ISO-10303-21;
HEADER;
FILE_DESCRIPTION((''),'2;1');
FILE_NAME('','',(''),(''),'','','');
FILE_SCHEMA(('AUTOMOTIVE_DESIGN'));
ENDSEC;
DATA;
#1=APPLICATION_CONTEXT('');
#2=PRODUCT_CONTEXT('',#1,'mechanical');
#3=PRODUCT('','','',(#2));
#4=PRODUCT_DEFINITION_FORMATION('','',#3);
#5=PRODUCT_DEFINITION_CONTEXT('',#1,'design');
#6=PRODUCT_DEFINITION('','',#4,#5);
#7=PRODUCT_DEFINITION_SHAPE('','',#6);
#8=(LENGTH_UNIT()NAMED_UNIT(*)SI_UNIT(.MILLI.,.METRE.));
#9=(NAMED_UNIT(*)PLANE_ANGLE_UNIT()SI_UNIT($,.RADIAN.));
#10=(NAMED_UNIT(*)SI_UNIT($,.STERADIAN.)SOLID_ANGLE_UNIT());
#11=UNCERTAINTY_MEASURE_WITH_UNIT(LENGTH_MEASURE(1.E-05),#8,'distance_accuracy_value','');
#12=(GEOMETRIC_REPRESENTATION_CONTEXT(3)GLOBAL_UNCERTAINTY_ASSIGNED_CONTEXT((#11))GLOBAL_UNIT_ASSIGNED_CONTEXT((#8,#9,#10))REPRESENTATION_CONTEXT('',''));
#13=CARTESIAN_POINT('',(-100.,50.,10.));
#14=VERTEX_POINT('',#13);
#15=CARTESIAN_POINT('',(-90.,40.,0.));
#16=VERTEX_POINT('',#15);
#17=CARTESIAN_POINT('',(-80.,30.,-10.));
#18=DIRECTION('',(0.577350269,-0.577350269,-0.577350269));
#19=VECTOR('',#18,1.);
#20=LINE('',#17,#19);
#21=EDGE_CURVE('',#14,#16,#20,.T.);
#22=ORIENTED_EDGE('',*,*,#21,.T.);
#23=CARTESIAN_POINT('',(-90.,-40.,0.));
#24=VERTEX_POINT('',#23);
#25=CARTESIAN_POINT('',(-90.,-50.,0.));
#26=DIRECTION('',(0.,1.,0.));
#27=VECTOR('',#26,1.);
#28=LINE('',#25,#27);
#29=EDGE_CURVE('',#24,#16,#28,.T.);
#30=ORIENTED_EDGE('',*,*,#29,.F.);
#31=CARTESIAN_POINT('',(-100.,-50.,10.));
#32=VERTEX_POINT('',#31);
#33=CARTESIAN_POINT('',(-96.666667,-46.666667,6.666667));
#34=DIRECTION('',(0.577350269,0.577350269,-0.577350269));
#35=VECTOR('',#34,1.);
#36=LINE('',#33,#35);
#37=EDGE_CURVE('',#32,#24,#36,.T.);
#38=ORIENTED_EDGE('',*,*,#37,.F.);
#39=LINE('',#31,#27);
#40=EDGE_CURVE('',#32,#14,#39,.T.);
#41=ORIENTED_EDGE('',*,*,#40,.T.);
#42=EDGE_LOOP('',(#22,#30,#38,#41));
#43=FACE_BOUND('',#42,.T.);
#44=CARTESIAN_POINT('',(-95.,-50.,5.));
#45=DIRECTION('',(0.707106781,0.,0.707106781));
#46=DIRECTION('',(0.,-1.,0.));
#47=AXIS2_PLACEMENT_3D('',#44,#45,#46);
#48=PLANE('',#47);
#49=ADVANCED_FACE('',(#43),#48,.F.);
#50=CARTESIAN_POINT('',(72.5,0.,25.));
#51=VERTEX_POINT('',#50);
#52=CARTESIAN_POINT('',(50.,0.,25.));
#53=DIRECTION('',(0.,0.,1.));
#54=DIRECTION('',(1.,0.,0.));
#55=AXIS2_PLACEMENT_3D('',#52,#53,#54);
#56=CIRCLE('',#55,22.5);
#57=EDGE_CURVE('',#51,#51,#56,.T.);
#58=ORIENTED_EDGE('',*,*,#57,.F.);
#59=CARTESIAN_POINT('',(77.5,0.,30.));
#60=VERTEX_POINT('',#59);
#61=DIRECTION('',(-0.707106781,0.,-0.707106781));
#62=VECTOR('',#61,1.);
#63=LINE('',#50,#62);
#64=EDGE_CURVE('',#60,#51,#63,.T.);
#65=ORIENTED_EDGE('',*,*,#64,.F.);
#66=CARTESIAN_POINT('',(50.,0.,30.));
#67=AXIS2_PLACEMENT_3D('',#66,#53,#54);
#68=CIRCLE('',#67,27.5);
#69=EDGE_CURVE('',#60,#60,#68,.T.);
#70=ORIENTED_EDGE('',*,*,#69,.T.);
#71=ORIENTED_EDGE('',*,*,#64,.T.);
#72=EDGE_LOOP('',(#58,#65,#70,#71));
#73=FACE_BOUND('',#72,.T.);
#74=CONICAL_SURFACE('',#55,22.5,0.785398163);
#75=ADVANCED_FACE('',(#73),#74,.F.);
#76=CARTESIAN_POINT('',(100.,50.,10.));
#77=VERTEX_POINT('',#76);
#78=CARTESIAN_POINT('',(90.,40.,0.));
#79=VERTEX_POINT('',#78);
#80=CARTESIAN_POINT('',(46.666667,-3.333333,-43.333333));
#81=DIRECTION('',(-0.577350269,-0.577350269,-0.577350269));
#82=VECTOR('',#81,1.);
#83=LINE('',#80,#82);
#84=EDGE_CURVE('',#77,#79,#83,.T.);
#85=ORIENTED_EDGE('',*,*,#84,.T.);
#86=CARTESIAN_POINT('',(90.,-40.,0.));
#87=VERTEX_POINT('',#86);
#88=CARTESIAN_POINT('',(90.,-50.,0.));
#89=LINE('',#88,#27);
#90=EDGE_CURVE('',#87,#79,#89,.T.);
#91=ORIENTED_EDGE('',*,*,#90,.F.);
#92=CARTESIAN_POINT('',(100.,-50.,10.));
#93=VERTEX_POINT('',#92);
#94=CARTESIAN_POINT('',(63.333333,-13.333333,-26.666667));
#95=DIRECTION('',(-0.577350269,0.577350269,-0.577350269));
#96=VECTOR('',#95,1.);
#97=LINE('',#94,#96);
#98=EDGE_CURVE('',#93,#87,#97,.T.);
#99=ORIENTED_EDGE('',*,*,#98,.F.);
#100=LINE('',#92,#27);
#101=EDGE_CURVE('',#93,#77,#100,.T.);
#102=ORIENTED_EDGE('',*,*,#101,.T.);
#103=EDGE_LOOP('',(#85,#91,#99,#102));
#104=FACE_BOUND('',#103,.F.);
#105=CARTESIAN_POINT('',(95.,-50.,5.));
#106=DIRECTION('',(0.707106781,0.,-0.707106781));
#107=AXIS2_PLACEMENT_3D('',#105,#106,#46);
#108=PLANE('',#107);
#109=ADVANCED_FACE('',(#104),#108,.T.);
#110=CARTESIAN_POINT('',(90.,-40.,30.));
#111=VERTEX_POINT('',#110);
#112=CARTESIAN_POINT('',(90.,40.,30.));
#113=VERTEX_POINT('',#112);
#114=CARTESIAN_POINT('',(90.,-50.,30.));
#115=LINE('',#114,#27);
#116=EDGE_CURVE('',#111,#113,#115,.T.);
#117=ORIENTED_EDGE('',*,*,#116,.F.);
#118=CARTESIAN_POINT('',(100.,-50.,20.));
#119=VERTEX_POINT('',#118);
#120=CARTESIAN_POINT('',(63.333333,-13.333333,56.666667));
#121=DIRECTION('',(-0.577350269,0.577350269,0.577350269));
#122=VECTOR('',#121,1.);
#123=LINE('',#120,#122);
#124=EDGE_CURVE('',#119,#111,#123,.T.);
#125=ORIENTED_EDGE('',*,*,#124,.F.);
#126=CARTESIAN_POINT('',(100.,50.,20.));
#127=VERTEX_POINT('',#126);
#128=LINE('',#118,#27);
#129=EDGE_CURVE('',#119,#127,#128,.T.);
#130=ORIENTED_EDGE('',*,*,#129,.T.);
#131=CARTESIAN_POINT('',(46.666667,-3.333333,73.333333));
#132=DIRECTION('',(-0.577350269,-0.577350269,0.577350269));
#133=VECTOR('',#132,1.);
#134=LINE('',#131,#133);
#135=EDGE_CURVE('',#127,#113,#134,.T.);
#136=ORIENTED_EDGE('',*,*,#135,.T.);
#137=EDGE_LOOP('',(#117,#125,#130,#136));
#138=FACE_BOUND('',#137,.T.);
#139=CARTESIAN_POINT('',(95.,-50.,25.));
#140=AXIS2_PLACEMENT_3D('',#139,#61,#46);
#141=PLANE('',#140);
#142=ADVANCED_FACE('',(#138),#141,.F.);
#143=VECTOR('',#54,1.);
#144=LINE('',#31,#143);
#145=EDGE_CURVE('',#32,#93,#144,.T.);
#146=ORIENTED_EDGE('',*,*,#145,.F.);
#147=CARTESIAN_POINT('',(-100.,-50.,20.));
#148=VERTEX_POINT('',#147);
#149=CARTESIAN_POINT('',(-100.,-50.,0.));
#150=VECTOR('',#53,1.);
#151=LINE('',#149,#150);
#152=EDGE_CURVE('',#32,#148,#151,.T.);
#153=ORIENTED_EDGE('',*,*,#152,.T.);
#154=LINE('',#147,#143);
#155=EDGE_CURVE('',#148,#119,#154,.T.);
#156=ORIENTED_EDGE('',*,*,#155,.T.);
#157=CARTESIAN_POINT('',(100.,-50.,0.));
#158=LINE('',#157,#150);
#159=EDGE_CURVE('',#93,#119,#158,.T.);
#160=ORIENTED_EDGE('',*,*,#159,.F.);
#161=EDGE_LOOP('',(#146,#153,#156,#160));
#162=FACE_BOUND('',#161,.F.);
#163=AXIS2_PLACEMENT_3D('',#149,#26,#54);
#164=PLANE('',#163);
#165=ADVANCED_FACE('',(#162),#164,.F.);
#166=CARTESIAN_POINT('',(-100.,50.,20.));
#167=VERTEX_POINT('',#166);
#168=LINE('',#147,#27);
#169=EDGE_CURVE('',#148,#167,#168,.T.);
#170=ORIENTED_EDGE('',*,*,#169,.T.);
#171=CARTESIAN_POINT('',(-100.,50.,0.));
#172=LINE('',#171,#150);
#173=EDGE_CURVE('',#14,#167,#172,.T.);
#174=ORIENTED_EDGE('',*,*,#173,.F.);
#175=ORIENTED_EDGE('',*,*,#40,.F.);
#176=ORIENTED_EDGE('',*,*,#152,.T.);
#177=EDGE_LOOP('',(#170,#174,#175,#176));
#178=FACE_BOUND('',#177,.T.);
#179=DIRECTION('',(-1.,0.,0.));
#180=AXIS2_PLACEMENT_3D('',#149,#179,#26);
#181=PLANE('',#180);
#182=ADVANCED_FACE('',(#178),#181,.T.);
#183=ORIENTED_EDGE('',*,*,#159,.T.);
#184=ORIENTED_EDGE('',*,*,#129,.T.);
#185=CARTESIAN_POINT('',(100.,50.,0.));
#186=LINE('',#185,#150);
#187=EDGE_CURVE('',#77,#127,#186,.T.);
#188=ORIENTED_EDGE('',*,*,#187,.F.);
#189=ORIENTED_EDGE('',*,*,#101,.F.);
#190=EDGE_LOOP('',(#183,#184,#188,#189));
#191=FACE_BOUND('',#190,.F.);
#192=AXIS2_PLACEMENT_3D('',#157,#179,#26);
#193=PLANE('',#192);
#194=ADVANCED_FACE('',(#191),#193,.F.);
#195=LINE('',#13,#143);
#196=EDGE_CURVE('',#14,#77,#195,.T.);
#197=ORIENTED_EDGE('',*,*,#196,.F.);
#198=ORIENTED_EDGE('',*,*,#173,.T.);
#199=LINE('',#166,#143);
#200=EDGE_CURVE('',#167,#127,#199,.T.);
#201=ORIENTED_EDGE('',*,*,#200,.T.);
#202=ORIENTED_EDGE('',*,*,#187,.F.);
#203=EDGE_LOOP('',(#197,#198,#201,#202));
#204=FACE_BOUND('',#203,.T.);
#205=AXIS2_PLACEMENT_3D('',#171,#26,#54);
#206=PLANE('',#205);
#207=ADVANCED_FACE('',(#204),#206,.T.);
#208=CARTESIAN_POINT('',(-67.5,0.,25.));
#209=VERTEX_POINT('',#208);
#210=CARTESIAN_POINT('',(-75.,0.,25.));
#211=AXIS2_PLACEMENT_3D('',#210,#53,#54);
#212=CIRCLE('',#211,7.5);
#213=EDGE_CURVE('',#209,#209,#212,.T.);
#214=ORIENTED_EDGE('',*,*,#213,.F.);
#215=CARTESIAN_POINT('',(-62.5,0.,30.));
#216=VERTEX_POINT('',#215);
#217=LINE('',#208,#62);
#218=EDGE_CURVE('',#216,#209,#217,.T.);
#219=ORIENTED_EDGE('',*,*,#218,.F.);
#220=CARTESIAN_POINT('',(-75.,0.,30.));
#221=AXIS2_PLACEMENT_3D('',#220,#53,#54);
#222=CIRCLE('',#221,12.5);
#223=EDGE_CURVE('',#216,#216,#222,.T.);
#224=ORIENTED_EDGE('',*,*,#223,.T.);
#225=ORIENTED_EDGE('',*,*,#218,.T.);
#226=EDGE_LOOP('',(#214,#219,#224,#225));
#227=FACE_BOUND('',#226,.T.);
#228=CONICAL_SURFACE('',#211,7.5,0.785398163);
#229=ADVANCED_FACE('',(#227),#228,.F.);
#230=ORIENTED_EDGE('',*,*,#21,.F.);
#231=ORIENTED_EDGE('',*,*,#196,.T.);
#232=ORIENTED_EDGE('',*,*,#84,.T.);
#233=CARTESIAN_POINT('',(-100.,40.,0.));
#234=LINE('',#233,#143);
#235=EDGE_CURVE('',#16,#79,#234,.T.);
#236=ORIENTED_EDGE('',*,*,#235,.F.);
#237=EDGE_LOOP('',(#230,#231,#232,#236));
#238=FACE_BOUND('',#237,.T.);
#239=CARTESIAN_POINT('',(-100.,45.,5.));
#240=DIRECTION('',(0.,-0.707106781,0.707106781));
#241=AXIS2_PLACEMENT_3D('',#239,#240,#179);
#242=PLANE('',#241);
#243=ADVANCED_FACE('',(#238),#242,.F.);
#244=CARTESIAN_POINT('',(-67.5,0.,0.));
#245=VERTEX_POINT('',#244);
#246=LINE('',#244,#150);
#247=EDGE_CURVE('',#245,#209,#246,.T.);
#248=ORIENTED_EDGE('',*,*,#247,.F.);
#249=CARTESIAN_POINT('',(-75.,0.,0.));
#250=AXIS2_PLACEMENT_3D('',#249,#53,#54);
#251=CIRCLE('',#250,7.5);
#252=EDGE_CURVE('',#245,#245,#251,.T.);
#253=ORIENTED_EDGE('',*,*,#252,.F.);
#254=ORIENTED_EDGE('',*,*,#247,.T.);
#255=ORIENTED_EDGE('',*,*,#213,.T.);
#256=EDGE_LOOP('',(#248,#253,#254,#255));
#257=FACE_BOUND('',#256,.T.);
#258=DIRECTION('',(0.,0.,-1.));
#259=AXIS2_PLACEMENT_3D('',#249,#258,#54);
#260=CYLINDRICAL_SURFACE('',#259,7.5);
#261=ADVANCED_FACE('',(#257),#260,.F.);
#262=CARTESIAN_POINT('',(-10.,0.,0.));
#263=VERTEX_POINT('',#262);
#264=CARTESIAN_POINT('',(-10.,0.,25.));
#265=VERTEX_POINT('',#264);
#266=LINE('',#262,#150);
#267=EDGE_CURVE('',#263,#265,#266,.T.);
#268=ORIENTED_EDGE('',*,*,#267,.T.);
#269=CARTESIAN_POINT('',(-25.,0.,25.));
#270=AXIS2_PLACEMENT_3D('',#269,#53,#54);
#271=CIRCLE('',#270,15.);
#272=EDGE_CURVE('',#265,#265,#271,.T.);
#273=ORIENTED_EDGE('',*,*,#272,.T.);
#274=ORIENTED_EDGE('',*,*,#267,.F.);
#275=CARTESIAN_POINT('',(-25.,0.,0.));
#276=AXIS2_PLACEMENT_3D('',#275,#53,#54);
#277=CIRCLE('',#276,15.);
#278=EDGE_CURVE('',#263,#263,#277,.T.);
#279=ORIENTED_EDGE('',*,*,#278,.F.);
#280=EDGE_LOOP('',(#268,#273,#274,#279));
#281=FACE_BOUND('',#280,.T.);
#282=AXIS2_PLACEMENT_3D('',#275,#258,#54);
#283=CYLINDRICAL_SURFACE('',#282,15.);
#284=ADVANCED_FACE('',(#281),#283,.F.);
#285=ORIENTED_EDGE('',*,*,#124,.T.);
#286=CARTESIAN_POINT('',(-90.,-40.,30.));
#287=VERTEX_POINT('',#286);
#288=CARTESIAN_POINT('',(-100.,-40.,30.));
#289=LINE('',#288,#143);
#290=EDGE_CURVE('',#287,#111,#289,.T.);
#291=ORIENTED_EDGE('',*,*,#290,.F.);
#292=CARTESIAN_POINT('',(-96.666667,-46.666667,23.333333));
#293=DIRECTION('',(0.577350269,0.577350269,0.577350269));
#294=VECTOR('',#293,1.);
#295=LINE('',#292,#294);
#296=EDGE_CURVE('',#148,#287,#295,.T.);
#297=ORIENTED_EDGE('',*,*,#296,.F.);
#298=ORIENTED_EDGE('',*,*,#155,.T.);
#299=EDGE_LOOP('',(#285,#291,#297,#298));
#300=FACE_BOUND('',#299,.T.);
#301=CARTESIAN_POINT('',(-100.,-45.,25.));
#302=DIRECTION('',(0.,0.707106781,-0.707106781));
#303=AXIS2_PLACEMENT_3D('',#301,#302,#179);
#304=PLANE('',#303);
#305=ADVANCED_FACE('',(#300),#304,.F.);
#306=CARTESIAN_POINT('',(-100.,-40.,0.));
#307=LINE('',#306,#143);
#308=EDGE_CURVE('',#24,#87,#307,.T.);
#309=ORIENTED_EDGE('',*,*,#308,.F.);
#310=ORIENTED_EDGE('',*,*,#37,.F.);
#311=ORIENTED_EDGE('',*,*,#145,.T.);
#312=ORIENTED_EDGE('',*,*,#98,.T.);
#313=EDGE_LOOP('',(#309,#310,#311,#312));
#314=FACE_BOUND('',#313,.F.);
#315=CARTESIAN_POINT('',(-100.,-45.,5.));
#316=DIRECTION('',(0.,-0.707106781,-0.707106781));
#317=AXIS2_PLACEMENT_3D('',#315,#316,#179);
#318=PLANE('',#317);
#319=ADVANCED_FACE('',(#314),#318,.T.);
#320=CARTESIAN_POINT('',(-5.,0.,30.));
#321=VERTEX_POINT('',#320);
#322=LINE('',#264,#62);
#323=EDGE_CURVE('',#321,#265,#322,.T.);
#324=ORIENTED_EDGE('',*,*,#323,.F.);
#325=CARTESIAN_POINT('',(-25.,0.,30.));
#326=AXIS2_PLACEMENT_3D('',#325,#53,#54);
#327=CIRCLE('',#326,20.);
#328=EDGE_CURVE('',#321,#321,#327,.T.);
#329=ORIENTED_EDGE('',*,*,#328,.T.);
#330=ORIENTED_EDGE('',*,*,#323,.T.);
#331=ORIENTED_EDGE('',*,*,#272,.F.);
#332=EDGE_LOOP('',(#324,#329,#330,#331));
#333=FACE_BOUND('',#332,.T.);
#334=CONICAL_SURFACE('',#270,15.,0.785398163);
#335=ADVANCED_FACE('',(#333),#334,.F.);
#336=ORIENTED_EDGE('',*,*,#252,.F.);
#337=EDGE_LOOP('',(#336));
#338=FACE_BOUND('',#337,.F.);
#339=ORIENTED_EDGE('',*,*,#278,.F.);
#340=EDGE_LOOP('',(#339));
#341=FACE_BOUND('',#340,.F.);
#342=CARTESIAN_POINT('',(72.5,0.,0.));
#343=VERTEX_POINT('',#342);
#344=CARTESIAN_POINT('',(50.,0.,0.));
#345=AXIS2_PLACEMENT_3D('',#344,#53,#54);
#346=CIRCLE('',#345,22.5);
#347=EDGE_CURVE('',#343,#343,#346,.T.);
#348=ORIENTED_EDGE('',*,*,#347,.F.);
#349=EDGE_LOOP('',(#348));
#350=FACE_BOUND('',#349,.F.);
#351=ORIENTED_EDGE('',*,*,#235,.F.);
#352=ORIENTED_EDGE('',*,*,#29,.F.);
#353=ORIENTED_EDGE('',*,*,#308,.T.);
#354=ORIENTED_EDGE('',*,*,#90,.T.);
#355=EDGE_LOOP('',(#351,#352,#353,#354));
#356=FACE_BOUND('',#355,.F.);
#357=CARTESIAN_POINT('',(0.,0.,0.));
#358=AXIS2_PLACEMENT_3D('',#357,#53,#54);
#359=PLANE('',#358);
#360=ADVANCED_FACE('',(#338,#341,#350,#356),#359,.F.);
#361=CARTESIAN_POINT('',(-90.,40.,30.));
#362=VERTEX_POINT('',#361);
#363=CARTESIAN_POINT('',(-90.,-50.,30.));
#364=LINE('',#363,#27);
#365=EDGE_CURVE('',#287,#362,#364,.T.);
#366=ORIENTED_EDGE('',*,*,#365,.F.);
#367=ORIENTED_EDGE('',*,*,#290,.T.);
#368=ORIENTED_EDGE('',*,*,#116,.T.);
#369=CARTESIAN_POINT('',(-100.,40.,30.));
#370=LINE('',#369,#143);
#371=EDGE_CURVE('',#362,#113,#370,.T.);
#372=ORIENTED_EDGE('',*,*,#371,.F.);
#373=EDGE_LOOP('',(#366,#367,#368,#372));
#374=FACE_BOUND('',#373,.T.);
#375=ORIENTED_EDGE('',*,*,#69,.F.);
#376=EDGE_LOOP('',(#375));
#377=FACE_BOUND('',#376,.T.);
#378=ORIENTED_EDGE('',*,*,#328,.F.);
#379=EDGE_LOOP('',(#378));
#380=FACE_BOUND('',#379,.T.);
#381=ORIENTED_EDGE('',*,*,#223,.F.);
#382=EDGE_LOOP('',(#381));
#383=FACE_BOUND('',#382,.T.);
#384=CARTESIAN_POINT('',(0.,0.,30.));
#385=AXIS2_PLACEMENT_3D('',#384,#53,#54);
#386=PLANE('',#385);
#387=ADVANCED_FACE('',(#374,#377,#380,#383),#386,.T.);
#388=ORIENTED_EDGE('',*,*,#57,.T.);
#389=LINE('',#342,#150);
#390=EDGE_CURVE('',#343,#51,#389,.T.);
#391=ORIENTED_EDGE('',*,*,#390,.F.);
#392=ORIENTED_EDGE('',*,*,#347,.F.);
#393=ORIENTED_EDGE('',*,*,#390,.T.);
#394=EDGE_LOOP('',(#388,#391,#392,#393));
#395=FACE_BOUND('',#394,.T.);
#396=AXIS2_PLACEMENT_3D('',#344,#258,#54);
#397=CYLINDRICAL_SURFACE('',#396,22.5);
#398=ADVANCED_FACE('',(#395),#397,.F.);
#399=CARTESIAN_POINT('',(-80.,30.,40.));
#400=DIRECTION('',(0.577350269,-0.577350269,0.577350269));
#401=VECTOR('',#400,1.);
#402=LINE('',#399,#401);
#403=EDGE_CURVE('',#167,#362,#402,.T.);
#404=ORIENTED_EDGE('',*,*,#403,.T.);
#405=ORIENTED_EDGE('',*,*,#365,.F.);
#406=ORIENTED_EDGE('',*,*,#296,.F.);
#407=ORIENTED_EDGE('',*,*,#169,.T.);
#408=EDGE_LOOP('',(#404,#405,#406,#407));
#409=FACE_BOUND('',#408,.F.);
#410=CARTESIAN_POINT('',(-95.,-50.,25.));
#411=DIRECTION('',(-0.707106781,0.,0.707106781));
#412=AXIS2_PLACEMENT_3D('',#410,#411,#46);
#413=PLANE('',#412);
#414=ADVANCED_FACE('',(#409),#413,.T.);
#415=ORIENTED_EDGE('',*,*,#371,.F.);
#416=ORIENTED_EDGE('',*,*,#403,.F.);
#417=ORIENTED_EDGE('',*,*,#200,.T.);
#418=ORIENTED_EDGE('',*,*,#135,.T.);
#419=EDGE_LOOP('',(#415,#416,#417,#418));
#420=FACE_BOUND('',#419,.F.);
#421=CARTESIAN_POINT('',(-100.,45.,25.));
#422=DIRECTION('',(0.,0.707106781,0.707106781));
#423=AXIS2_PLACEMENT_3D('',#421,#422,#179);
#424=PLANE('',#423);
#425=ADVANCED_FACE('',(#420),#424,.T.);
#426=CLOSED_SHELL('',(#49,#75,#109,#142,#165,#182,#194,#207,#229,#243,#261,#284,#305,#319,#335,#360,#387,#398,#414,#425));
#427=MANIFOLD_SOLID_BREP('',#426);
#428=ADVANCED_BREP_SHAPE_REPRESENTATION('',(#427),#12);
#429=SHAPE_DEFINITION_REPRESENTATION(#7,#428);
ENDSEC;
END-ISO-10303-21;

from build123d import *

# Parameters (mm, degrees)
F0_W     = 200
F0_H     = 100
F0_R     = 7.5
F0_R_2   = 15
F0_R_3   = 22.5
F1_DEPTH = 30
F2_SIZE  = 10
F3_SIZE  = 5


with BuildPart() as f1:
    # F0 (on Top) → F1 (new body)
    with BuildSketch(Plane.XY):
        Rectangle(F0_W, F0_H)
        with Locations((-75, 0)):
            Circle(F0_R, mode=Mode.SUBTRACT)
        with Locations((-25, 0)):
            Circle(F0_R_2, mode=Mode.SUBTRACT)
        with Locations((50, 0)):
            Circle(F0_R_3, mode=Mode.SUBTRACT)
    extrude(amount=F1_DEPTH)

    # F2
    f2_edges = [f1.edges().sort_by_distance(p)[0] for p in [
        (0, -50, 30),
        (100, 0, 30),
        (-100, 0, 30),
        (0, 50, 30),
        (0, -50, 0),
        (100, 0, 0),
        (-100, 0, 0),
        (0, 50, 0),
    ]]
    chamfer(f2_edges, length=F2_SIZE)

    # F3
    f3_edges = [f1.edges().sort_by_distance(p)[0] for p in [
        (27.5, 0, 30),
        (-40, 0, 30),
        (-82.5, 0, 30),
    ]]
    chamfer(f3_edges, length=F3_SIZE)


solid = f1.part
